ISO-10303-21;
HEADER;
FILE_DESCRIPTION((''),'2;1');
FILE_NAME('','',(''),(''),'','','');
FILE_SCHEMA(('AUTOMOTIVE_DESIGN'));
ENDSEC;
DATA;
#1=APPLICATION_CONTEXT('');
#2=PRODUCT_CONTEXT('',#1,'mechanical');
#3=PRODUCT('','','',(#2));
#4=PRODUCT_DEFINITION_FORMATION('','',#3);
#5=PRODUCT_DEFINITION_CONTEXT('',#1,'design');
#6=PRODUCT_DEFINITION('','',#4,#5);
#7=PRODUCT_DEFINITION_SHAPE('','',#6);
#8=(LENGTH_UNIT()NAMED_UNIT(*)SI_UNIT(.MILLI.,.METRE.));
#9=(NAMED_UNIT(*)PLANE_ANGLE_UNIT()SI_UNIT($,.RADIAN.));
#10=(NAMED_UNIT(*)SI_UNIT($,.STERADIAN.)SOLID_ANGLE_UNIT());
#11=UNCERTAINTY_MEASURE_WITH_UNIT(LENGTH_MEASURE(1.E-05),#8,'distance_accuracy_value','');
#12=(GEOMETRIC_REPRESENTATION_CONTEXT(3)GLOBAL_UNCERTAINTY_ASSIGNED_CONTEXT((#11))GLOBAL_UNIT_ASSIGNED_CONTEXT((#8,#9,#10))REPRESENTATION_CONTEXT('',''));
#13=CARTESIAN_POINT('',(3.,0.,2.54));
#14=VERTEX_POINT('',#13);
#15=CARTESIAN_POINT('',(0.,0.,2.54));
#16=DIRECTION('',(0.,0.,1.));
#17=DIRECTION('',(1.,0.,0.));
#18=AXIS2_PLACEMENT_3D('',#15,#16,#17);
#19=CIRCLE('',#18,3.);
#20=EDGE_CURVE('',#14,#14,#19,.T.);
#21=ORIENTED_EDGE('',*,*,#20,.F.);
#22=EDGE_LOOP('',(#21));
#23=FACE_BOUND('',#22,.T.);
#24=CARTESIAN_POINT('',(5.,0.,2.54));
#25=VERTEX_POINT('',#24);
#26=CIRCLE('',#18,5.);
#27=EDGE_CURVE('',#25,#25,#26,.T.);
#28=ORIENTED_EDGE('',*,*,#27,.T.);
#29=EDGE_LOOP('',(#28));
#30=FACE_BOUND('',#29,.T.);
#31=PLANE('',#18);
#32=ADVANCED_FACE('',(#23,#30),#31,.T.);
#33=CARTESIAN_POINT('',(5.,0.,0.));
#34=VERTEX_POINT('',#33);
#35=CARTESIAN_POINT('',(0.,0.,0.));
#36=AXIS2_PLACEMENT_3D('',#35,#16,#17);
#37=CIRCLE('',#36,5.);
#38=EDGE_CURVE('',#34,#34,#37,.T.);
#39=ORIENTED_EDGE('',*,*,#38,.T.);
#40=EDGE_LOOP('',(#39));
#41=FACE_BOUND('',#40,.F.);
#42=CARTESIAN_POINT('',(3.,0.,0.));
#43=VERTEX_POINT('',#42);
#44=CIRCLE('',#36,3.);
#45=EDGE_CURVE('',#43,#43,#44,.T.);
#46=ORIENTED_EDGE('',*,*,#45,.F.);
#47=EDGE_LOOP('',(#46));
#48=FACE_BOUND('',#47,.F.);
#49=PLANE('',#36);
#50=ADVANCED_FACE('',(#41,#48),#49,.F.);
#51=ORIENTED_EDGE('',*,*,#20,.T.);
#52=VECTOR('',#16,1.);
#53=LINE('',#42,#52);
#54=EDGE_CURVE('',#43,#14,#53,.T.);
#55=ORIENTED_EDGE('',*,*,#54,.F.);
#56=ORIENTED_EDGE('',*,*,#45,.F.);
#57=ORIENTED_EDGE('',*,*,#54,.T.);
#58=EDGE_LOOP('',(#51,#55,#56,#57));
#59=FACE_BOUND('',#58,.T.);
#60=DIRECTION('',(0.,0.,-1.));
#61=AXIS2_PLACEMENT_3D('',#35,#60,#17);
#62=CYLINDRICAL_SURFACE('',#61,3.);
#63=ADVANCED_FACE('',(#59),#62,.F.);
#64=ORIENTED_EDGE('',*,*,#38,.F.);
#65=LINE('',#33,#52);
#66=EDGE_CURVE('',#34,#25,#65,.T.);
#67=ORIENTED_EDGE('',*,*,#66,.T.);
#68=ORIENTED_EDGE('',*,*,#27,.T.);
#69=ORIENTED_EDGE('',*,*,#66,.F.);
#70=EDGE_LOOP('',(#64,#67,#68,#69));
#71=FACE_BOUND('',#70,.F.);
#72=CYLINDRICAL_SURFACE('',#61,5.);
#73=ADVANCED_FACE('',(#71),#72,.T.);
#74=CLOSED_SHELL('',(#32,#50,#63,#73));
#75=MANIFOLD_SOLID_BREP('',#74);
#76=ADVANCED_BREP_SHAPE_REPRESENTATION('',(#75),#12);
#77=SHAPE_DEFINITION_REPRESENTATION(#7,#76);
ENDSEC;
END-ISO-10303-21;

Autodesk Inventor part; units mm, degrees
ref_plane "YZ Plane" through (0, 0, 0) normal (1, 0, 0) x (0, 1, 0)
ref_plane "XZ Plane" through (0, 0, 0) normal (0, 1, 0) x (-1, 0, 0)
ref_plane "XY Plane" through (0, 0, 0) normal (0, 0, 1) x (1, 0, 0)
sketch "Sketch1" plane through (0, 0, 0) normal (0, 0, 1) x (1, 0, 0)
  circle A0 centre (0, 0) radius 3
  circle A1 centre (0, 0) radius 5
  dimension "d0" = 6
  dimension "d1" = 10
extrude "Extrusion1" add sketch "Sketch1" along normal blind 2.54
properties part number "SINGLE_BEARING_SPACER" material "3D Print Material - chopped carbon Nylon12 (preferred)"
